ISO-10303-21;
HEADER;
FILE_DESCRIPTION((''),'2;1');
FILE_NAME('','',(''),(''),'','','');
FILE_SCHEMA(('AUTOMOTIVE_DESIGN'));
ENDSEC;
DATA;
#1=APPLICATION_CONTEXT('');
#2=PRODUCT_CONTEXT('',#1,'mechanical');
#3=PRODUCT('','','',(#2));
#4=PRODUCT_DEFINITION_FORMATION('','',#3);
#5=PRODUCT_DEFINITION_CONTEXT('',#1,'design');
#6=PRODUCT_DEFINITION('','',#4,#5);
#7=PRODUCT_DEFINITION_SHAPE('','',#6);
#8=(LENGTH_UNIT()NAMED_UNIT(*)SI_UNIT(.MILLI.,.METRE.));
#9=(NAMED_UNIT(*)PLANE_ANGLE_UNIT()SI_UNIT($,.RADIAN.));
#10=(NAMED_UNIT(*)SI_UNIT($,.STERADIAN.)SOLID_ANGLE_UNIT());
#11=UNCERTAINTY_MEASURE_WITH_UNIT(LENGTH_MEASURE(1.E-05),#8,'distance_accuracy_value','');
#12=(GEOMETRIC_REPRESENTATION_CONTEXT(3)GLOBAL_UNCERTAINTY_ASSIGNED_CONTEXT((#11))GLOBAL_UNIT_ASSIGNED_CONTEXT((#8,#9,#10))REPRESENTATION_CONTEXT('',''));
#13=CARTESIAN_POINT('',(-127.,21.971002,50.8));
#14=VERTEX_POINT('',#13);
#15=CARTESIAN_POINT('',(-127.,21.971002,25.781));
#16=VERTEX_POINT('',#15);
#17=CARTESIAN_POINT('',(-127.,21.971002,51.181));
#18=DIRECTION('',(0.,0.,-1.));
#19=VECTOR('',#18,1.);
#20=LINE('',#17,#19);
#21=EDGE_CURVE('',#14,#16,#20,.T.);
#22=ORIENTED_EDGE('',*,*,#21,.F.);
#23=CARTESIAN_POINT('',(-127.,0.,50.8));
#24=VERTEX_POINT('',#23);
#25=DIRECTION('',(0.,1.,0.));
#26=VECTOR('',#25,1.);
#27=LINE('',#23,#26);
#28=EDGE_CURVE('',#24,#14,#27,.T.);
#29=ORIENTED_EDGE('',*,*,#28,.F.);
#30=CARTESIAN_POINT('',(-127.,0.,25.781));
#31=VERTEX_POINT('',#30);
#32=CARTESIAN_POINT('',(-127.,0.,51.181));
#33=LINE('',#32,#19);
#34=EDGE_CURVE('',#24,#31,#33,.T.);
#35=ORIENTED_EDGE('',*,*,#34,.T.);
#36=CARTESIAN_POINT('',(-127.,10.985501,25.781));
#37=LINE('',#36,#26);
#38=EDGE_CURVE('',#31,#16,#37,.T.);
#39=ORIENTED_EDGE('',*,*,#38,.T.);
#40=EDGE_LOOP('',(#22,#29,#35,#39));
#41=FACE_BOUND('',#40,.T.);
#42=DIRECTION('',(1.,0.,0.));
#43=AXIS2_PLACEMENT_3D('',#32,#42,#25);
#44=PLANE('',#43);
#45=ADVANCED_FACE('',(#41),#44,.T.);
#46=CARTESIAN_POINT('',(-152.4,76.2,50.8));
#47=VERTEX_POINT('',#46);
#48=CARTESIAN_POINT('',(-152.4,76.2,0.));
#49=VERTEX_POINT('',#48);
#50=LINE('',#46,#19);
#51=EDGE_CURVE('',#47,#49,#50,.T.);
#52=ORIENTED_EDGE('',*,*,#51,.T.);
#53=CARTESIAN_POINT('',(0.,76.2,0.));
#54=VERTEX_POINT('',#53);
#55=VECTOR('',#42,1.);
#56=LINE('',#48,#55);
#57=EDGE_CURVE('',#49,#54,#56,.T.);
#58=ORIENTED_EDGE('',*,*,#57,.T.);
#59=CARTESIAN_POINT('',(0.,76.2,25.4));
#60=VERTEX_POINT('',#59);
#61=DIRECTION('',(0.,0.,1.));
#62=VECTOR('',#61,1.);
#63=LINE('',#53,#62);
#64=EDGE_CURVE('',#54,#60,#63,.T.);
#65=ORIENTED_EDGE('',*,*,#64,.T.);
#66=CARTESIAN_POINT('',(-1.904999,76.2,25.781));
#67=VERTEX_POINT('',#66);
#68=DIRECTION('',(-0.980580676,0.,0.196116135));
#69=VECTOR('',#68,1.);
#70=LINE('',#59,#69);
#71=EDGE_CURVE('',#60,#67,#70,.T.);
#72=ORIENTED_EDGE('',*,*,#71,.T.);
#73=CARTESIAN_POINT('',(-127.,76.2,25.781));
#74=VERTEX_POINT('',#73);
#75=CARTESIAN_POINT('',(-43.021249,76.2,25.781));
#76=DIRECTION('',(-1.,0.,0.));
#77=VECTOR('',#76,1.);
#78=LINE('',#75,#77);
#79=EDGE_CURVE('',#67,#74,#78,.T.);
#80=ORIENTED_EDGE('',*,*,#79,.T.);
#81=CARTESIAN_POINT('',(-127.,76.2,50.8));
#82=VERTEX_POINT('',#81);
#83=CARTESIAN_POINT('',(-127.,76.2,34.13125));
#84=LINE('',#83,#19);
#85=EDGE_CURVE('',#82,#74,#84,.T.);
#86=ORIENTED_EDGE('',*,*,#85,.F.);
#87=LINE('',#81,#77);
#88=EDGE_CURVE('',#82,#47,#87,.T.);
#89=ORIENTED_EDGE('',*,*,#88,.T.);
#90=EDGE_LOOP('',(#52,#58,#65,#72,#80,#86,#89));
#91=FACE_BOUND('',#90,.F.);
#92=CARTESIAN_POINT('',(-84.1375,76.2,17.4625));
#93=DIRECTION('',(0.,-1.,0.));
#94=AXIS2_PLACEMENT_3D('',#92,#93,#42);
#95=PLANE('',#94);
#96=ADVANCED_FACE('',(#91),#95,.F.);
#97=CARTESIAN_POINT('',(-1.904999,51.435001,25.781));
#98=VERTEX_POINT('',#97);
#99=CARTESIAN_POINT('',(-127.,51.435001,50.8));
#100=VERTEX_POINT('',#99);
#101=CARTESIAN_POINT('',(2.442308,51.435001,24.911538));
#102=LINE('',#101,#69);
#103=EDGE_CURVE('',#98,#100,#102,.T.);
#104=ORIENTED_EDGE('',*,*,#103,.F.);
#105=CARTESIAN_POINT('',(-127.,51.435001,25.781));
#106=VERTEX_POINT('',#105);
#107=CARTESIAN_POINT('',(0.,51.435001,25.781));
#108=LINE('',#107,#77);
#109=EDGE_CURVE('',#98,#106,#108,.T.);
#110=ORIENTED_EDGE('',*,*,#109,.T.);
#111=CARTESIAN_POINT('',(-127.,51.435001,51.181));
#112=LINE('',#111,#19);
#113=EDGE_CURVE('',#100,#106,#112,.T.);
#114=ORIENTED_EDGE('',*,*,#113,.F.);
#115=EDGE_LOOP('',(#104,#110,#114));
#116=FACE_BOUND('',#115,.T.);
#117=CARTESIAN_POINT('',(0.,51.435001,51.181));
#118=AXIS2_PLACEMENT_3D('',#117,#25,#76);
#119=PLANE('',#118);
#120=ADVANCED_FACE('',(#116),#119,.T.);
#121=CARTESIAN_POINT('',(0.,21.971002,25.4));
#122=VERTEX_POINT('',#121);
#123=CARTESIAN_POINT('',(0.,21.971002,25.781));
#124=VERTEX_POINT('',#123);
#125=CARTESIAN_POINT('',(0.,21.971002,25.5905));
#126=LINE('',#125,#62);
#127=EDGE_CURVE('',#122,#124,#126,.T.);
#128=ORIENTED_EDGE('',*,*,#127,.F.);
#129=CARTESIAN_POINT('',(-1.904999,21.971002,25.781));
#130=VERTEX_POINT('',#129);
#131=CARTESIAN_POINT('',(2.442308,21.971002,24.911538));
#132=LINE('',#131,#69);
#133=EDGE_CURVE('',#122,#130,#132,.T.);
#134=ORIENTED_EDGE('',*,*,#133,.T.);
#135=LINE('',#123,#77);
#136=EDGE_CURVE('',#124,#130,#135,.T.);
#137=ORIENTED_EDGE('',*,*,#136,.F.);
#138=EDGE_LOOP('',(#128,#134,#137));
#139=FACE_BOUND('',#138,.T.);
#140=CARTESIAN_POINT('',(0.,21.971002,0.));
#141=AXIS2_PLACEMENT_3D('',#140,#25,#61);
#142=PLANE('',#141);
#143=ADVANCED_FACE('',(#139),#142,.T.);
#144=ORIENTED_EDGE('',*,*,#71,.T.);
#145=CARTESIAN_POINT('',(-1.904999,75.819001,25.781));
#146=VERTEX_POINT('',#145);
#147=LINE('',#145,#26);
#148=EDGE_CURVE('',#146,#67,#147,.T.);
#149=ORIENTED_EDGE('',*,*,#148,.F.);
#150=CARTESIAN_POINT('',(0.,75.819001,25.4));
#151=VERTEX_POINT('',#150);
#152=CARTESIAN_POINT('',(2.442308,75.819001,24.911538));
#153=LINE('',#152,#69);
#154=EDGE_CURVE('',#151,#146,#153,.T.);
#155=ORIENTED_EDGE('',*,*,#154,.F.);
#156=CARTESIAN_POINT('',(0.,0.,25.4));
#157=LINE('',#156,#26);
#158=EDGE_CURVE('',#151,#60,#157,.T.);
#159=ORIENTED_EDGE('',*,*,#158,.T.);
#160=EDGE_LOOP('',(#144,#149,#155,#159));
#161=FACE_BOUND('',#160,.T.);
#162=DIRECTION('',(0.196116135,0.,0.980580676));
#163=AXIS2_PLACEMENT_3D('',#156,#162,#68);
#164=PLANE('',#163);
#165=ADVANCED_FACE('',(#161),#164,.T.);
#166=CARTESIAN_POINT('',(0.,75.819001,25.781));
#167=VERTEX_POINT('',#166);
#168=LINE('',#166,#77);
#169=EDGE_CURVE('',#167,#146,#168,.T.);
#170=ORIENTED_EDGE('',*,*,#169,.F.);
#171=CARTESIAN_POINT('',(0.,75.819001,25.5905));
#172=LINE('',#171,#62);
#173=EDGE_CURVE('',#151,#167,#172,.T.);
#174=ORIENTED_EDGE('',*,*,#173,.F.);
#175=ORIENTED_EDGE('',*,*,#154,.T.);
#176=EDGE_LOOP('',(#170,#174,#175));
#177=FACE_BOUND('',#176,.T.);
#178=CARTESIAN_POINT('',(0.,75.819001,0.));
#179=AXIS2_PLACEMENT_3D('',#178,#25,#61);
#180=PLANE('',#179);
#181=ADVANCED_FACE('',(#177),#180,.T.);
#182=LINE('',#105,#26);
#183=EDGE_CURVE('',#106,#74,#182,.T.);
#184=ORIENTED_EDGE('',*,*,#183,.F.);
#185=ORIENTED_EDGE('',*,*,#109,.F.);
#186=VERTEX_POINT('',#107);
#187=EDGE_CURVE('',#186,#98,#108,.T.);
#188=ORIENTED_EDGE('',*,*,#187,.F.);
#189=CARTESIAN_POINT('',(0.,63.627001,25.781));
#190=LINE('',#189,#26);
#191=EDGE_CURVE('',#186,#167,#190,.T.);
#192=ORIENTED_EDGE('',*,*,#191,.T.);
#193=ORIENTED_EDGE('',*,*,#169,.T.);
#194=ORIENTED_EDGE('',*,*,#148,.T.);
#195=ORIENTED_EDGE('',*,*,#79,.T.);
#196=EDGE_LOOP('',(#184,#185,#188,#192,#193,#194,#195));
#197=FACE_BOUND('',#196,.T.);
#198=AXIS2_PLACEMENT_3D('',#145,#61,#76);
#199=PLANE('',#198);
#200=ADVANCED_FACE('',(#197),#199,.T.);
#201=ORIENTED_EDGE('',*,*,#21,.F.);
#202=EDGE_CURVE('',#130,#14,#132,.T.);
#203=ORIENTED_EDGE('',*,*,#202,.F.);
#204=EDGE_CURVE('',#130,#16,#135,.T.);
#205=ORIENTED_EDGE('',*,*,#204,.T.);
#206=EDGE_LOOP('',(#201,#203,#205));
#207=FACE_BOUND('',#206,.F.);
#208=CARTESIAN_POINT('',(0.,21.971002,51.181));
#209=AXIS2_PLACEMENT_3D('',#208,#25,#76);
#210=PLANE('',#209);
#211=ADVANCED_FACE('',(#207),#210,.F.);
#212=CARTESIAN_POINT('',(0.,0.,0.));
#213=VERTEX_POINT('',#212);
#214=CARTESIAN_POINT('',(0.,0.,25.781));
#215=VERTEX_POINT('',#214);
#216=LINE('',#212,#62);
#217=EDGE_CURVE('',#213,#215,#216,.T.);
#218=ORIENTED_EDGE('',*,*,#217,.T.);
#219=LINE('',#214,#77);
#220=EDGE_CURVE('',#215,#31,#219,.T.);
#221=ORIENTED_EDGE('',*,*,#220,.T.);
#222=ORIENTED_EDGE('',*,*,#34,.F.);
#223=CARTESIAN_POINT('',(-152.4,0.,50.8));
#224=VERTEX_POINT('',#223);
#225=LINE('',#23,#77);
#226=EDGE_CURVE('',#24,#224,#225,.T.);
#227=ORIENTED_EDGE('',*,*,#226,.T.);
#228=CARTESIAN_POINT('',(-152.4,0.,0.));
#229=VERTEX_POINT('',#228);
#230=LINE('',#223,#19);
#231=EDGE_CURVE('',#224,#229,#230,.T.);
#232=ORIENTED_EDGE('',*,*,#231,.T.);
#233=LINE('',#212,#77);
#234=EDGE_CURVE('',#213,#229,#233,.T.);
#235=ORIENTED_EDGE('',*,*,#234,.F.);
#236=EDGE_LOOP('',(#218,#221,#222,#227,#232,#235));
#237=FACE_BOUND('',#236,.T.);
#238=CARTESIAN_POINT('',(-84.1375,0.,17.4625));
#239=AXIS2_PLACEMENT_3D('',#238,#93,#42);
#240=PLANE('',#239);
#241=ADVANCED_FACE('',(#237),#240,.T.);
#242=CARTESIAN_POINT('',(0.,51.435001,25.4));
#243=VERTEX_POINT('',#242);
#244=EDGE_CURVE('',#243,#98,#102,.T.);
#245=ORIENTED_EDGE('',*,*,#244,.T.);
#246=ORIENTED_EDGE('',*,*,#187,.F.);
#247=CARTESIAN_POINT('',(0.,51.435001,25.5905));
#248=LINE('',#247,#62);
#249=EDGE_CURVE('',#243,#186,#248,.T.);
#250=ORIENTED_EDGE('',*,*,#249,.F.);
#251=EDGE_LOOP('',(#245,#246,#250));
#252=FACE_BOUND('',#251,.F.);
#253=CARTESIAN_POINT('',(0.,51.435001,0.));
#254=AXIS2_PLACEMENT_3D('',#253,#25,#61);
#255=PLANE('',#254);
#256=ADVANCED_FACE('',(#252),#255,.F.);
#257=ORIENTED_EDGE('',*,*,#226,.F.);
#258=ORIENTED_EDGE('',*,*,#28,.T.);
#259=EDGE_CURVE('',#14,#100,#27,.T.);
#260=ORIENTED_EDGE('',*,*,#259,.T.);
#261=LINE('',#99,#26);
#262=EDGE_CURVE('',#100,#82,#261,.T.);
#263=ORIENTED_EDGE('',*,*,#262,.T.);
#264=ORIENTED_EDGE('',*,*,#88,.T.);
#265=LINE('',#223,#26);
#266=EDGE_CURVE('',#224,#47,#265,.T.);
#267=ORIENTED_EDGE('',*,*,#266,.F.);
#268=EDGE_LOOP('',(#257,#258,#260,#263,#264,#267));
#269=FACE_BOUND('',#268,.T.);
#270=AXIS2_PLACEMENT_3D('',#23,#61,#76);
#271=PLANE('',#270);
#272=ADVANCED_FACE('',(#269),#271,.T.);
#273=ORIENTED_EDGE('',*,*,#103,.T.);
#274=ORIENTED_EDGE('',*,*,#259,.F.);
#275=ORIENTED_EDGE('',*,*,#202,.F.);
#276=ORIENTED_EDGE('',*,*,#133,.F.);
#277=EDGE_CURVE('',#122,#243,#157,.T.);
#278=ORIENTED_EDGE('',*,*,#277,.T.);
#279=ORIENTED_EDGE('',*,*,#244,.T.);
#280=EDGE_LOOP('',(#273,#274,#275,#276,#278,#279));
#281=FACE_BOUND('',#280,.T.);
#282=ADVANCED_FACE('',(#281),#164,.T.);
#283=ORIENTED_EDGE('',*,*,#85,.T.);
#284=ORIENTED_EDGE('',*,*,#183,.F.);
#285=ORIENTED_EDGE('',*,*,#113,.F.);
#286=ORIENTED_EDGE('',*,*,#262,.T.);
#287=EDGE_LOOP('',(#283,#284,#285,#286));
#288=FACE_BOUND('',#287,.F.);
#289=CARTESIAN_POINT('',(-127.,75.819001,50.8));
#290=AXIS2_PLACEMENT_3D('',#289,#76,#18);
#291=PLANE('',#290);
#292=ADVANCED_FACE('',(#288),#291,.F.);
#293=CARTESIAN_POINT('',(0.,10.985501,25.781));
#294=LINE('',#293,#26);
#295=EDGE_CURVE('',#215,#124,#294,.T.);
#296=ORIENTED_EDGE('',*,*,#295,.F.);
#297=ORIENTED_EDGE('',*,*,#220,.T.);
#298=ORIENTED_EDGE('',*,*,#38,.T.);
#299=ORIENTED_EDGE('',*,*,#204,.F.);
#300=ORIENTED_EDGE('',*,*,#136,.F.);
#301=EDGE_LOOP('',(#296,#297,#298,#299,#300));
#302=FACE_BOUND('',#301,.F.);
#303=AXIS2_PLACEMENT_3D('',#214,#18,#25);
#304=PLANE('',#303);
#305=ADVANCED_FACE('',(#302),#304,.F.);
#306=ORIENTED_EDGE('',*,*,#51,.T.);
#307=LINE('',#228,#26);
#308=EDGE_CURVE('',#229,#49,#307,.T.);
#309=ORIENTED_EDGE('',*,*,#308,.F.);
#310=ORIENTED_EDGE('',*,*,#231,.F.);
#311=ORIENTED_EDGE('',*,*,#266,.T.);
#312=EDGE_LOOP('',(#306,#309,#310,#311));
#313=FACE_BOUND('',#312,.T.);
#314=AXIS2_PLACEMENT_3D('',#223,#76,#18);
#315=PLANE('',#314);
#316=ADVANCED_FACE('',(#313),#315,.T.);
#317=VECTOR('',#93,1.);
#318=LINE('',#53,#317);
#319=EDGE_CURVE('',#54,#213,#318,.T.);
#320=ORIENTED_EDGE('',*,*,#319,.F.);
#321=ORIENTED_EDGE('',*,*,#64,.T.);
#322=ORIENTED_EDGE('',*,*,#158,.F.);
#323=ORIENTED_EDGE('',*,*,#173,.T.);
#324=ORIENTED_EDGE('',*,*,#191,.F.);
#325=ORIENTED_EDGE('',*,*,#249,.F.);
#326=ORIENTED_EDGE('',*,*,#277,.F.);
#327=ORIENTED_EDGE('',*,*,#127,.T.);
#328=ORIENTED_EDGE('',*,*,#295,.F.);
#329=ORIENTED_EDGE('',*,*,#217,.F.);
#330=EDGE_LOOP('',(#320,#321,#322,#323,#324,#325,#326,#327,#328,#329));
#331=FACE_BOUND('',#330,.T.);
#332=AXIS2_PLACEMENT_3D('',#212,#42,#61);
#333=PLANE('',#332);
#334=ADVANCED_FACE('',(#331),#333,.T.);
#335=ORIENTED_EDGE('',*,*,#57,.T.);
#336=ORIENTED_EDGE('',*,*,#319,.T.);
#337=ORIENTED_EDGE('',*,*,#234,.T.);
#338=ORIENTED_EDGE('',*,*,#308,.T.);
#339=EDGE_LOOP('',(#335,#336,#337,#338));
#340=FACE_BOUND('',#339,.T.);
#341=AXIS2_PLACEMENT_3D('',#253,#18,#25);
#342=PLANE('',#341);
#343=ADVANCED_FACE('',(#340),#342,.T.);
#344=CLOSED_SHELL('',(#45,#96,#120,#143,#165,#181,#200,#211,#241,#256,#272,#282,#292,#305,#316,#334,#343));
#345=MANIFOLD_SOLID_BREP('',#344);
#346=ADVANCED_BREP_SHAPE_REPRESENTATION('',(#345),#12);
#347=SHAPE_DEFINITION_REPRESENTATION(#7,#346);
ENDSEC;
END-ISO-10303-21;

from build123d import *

# Parameters (mm, degrees)
F2_DEPTH = 76.2
F1_W     = 21.9710022211
F1_H     = 51.1809997261
F3_DEPTH = 127
F1_W_2   = 24.3839994073
F4_DEPTH = 127
F5_DEPTH = 25.4
F6_DEPTH = 25.4


with BuildPart() as f2:
    # F0 (on Front) → F2 (new body)
    with BuildSketch(Plane.XZ):
        Polygon((-152.4, 0), (0, 0), (0, 25.4), (-127, 25.4), (-127, 50.8), (-152.4, 50.8), align=None)
        Polygon((-127, 25.4), (0, 25.4), (-127, 50.8), align=None)
    extrude(amount=-F2_DEPTH)

    # F1 (on Right) → F3 (join)
    with BuildSketch(Plane.YZ):
        with Locations((10.9855011106, 25.590499863)):
            Rectangle(F1_W, F1_H)
    extrude(amount=-F3_DEPTH)

    # F1 (on Right) → F4 (join)
    with BuildSketch(Plane.YZ):
        with Locations((63.6270008981, 25.590499863)):
            Rectangle(F1_W_2, F1_H)
    extrude(amount=-F4_DEPTH)

    # F5 (cut): faces of the model
    f5_faces = [f2.faces().sort_by_distance(p)[0] for p in [
        (-63.5, 10.9855011106, 51.1809997261),
        (-63.5, 63.6270008981, 51.1809997261),
    ]]
    extrude(f5_faces, amount=-F5_DEPTH, mode=Mode.SUBTRACT)

    # F6 (cut): a face of the model
    f6_faces = [f2.faces().sort_by_distance(p)[0] for p in [
        (-85.3016662101, 75.8190006018, 34.120666484),
    ]]
    extrude(f6_faces, amount=-F6_DEPTH, mode=Mode.SUBTRACT)


solid = f2.part
